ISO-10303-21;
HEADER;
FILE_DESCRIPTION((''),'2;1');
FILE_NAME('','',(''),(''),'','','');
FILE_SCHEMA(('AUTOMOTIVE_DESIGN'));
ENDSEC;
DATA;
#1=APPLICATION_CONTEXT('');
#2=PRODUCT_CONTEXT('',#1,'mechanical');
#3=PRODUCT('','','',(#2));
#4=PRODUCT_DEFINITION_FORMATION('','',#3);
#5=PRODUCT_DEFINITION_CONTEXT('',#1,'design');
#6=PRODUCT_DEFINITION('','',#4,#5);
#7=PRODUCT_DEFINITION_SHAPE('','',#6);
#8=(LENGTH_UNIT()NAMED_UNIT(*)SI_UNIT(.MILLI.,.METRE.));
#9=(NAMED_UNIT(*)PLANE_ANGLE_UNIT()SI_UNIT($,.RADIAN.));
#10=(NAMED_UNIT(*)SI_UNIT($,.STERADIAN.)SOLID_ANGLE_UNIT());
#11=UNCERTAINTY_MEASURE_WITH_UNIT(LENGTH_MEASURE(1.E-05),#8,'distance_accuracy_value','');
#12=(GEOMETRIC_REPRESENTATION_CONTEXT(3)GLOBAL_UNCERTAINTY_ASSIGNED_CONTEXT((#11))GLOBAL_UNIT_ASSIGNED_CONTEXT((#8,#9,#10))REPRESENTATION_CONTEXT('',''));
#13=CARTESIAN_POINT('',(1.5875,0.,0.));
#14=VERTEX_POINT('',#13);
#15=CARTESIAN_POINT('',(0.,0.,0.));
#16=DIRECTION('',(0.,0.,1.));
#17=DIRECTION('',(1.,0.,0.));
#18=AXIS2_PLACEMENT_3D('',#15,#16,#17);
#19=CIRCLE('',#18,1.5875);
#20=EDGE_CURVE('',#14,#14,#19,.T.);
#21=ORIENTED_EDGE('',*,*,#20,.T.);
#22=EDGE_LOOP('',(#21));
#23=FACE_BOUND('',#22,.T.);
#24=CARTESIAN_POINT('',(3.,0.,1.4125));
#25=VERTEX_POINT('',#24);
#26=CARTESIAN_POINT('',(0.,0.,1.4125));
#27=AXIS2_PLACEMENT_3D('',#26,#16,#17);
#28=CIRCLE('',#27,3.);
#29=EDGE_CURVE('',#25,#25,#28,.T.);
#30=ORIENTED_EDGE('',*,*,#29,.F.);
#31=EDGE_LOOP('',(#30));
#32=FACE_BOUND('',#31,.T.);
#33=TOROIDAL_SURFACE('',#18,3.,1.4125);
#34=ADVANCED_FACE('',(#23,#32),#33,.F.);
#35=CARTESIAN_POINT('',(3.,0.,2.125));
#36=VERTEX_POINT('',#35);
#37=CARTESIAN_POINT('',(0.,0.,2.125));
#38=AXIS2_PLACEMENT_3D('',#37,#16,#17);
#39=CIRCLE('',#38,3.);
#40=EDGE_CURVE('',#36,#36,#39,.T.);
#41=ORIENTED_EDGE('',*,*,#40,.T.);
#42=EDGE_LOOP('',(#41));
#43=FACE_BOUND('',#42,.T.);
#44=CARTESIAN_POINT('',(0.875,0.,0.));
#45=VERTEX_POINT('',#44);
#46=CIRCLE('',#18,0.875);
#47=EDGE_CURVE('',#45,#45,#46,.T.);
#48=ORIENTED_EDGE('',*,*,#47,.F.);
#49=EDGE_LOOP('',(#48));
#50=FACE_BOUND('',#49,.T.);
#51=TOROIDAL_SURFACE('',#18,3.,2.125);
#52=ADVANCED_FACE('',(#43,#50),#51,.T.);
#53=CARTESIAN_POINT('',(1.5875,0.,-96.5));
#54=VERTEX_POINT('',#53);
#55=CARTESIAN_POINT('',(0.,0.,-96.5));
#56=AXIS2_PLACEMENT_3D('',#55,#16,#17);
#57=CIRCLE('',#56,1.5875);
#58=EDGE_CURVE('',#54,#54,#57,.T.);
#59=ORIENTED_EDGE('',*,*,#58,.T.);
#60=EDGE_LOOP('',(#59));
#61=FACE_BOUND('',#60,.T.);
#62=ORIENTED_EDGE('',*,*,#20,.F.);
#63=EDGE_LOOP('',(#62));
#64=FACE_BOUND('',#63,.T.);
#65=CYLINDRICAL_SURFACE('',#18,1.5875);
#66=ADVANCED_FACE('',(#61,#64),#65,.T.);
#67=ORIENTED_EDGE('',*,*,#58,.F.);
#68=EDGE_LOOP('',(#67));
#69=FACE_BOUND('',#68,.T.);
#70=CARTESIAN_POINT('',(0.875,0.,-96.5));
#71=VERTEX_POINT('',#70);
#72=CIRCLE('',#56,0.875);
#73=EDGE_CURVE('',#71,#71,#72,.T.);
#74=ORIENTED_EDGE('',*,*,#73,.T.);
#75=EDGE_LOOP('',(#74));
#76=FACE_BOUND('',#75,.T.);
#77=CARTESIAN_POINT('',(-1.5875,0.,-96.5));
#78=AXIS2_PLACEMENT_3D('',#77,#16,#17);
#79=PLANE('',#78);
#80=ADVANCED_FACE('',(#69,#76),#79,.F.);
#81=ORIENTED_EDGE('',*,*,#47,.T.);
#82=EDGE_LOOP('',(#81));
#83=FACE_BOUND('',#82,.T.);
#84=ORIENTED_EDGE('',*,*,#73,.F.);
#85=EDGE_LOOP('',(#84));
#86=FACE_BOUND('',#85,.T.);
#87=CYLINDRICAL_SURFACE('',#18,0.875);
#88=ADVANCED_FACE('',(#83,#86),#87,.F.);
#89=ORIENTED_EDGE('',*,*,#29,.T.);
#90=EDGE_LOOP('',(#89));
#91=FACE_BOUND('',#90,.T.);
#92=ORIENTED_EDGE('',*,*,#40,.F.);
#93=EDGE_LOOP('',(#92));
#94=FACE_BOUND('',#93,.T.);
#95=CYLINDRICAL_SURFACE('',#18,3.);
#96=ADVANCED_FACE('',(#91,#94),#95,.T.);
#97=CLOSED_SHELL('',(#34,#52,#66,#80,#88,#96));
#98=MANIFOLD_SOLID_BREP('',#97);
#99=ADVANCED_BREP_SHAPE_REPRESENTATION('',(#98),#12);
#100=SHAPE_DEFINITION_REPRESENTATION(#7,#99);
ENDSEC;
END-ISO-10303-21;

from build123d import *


with BuildPart() as part:
    # Sketch3 → Revolve2 (revolve)
    with BuildSketch(Plane(origin=(0, 0, 0), x_dir=(1, 0, 0), z_dir=(0, 1, 0))):
        with BuildLine():
            Line((-3, -2.125), (-3, -1.4125))
            ThreePointArc((-3, -1.4125), (-2.001211672, -0.998788328), (-1.5875, 0))
            Line((-1.5875, 0), (-1.5875, 96.5))
            Line((-1.5875, 96.5), (-0.875, 96.5))
            Line((-0.875, 96.5), (-0.875, 0))
            ThreePointArc((-0.875, 0), (-1.49739809, -1.50260191), (-3, -2.125))
        make_face()
    revolve(axis=Axis((0, 0, 0), (0, 0, -1)))


solid = part.part
